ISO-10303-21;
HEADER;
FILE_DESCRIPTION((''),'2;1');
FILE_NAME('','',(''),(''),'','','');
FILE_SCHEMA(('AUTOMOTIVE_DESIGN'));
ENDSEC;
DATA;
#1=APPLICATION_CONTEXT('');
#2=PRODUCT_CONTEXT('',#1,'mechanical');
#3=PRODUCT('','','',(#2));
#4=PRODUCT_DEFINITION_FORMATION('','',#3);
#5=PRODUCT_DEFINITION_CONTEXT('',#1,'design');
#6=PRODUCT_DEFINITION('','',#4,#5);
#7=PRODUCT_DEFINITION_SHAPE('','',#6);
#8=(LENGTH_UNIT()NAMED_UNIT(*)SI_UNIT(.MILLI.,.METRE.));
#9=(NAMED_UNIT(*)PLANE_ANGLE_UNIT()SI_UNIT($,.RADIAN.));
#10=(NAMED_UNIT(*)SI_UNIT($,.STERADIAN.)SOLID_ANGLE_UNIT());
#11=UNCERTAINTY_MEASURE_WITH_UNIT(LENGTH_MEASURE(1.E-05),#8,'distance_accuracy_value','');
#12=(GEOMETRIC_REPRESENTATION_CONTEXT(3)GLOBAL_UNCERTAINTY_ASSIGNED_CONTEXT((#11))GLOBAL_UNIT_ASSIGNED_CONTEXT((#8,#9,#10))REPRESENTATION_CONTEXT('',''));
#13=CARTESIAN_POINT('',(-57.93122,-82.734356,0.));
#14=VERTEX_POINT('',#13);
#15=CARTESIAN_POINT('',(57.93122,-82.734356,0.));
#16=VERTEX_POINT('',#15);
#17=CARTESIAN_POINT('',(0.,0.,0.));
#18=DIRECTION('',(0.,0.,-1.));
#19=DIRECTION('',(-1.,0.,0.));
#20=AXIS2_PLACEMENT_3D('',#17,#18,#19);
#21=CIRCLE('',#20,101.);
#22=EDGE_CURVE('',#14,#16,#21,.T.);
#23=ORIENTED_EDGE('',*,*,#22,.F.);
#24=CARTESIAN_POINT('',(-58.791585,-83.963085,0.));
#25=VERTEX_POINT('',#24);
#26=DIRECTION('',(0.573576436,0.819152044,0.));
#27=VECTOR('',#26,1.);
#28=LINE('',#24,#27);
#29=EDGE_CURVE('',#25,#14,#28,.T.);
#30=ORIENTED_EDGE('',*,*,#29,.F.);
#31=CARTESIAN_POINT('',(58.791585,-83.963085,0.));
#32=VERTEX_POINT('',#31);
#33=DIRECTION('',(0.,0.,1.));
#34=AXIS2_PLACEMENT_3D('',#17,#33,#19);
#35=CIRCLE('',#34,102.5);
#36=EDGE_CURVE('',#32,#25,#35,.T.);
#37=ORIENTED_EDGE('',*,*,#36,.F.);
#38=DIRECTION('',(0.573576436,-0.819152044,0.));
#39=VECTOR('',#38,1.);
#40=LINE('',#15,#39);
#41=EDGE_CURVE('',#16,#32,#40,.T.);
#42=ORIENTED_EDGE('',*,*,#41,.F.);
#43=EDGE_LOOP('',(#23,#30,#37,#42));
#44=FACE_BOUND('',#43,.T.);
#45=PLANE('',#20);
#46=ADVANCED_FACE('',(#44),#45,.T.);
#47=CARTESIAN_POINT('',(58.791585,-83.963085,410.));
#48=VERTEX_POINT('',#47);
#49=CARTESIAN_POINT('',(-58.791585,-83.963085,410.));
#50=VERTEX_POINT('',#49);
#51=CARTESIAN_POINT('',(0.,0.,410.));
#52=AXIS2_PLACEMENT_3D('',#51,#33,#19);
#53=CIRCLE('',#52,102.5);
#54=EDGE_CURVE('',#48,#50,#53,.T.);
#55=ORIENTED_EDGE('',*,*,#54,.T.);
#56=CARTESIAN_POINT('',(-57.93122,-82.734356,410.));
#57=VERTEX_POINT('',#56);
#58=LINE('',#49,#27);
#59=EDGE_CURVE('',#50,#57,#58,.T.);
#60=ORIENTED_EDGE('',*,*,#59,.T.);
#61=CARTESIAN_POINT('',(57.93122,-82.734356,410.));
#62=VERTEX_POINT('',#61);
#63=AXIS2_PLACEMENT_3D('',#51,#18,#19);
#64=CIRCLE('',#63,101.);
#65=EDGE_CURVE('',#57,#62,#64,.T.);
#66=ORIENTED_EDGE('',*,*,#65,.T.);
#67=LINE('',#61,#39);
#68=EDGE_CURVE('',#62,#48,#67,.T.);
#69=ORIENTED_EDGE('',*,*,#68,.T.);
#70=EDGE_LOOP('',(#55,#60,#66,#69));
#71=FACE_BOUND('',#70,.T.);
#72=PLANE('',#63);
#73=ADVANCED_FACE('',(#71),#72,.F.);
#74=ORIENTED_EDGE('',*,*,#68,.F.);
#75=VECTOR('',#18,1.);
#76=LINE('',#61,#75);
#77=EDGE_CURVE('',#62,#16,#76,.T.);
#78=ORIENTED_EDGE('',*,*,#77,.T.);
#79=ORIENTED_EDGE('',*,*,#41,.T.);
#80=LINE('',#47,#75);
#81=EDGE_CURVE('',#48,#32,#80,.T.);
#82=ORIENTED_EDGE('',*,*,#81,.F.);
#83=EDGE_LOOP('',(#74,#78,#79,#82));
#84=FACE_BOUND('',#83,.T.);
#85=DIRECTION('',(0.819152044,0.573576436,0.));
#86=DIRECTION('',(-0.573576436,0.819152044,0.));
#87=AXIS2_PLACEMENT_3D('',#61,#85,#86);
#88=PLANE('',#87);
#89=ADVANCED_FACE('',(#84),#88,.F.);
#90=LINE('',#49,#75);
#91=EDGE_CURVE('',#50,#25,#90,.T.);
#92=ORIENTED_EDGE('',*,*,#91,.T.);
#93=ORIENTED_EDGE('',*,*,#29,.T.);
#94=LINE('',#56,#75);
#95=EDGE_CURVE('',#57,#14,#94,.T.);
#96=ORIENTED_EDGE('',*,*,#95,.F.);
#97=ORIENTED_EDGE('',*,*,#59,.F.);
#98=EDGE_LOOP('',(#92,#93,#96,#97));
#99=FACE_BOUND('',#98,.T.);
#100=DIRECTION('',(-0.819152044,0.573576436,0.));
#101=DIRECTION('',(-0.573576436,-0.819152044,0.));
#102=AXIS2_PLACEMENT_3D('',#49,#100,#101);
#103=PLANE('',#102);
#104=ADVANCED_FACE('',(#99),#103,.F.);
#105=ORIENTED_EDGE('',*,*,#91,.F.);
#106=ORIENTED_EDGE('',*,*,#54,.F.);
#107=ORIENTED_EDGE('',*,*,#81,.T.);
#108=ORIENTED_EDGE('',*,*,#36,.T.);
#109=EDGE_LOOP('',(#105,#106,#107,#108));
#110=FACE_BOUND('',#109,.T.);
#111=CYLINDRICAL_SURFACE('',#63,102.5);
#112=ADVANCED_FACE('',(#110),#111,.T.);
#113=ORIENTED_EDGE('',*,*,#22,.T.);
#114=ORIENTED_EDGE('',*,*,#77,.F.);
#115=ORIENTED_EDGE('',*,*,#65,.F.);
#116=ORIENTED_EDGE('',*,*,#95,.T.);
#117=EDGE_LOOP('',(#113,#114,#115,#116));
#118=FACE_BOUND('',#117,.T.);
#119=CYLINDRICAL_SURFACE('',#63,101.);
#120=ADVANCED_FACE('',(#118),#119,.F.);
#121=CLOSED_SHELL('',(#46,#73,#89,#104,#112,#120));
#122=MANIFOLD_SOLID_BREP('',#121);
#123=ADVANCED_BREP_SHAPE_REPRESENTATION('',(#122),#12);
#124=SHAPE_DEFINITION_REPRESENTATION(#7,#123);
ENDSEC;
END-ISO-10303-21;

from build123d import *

# Parameters (mm, degrees)
BOSS_EXTRU_1_DEPTH = 410


with BuildPart() as part:
    # Esquisse1 → Boss.-Extru.1 (new body)
    with BuildSketch(Plane.XY):
        with BuildLine():
            Line((-58.791584726, -83.96308454), (-57.931220071, -82.734356473))
            ThreePointArc((-57.931220071, -82.734356473), (0, 101), (57.931220071, -82.734356473))
            Line((57.931220071, -82.734356473), (58.791584726, -83.96308454))
            ThreePointArc((58.791584726, -83.96308454), (0, 102.5), (-58.791584726, -83.96308454))
        make_face()
    extrude(amount=BOSS_EXTRU_1_DEPTH)


solid = part.part
